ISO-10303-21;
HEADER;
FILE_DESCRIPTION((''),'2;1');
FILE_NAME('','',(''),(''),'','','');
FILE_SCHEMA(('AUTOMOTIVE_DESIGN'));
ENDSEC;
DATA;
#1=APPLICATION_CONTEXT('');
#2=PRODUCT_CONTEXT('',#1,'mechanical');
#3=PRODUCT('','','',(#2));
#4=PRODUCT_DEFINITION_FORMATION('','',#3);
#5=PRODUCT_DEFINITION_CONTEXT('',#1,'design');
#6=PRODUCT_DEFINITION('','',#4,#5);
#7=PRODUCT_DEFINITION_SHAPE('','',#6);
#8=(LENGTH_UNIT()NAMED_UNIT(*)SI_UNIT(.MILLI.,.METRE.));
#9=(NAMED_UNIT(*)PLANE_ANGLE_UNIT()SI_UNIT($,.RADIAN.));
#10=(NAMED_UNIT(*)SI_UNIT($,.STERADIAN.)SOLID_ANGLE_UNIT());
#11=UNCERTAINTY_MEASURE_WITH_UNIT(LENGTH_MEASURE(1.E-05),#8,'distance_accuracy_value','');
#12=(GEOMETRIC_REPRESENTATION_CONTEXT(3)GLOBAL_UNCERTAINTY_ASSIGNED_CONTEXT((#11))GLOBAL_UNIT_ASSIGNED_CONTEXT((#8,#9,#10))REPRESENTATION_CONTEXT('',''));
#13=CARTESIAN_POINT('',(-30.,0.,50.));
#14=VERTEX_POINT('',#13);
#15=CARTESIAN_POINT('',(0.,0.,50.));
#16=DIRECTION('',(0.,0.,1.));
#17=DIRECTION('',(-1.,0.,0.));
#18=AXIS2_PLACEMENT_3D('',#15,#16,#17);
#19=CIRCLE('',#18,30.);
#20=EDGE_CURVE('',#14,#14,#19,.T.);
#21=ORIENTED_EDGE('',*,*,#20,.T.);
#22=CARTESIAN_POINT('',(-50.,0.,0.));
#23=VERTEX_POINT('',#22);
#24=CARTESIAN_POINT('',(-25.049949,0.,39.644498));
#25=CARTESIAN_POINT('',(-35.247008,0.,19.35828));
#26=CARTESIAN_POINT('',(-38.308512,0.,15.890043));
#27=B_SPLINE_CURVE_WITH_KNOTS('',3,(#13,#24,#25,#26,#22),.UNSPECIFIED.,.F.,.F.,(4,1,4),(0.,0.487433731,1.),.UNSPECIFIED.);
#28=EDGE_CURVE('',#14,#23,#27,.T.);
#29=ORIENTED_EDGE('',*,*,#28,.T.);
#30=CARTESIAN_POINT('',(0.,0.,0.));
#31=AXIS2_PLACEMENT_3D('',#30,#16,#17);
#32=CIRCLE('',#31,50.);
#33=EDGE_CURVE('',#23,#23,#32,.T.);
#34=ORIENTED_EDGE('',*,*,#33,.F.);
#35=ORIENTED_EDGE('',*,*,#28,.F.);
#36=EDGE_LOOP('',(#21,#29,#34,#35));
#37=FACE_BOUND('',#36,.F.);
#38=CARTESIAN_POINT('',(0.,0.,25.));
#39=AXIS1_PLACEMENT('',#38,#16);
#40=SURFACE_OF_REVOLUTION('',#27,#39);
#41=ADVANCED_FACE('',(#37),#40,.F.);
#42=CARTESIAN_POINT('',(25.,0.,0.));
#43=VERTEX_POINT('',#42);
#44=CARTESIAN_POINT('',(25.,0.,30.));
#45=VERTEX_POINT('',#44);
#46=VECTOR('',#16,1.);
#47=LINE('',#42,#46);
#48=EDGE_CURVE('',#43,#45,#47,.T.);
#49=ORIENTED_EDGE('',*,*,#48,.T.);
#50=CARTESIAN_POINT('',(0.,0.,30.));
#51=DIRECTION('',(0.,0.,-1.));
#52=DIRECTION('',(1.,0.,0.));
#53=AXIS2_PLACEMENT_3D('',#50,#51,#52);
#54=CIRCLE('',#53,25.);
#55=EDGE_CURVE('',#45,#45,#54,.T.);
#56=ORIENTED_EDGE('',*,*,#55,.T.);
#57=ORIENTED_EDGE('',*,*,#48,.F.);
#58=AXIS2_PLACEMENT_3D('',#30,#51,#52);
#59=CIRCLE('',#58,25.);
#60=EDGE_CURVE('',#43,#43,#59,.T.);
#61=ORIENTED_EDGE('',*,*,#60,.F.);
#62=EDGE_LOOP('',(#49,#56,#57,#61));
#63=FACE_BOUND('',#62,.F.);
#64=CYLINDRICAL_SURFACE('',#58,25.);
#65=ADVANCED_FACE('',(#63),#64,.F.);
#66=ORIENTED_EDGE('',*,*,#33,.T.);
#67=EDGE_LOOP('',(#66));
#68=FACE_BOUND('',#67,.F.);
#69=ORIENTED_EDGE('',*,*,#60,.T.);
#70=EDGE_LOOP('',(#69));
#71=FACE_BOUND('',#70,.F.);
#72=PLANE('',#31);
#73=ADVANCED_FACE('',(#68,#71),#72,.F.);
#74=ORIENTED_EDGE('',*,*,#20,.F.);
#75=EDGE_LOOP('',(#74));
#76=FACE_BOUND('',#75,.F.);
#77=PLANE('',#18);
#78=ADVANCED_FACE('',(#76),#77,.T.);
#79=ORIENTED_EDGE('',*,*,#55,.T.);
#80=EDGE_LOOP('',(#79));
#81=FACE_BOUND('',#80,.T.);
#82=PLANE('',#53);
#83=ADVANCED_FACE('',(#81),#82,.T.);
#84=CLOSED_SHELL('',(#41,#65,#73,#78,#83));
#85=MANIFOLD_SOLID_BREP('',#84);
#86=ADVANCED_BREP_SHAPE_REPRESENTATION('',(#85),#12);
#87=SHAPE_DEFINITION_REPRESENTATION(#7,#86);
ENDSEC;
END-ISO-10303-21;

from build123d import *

# Parameters (mm, degrees)
F2_R     = 25
F3_DEPTH = 30


with BuildPart() as f1:
    # F0 (on Front) → F1 (revolve)
    with BuildSketch(Plane.XZ):
        with BuildLine():
            Line((-50, 0), (0, 0))
            Line((0, 0), (0, 50))
            Line((0, 50), (-30, 50))
            add(Edge.make_bspline(
                [(-30, 50), (-25.0499490649, 39.644498378), (-35.2470077936, 19.3582796553), (-38.3085124195, 15.8900432289), (-50, 0)],
                knots=[0, 0, 0, 0, 0.4874337312, 1, 1, 1, 1], degree=3))
        make_face()
    revolve(axis=Axis((0, 0, 25), (0, 0, 1)))

    # F2 (on face) → F3 (cut)
    with BuildSketch(Plane(origin=(0, 0, 0), x_dir=(1, 0, 0), z_dir=(0, 0, -1))):
        Circle(F2_R)
    extrude(amount=-F3_DEPTH, mode=Mode.SUBTRACT)


solid = f1.part
